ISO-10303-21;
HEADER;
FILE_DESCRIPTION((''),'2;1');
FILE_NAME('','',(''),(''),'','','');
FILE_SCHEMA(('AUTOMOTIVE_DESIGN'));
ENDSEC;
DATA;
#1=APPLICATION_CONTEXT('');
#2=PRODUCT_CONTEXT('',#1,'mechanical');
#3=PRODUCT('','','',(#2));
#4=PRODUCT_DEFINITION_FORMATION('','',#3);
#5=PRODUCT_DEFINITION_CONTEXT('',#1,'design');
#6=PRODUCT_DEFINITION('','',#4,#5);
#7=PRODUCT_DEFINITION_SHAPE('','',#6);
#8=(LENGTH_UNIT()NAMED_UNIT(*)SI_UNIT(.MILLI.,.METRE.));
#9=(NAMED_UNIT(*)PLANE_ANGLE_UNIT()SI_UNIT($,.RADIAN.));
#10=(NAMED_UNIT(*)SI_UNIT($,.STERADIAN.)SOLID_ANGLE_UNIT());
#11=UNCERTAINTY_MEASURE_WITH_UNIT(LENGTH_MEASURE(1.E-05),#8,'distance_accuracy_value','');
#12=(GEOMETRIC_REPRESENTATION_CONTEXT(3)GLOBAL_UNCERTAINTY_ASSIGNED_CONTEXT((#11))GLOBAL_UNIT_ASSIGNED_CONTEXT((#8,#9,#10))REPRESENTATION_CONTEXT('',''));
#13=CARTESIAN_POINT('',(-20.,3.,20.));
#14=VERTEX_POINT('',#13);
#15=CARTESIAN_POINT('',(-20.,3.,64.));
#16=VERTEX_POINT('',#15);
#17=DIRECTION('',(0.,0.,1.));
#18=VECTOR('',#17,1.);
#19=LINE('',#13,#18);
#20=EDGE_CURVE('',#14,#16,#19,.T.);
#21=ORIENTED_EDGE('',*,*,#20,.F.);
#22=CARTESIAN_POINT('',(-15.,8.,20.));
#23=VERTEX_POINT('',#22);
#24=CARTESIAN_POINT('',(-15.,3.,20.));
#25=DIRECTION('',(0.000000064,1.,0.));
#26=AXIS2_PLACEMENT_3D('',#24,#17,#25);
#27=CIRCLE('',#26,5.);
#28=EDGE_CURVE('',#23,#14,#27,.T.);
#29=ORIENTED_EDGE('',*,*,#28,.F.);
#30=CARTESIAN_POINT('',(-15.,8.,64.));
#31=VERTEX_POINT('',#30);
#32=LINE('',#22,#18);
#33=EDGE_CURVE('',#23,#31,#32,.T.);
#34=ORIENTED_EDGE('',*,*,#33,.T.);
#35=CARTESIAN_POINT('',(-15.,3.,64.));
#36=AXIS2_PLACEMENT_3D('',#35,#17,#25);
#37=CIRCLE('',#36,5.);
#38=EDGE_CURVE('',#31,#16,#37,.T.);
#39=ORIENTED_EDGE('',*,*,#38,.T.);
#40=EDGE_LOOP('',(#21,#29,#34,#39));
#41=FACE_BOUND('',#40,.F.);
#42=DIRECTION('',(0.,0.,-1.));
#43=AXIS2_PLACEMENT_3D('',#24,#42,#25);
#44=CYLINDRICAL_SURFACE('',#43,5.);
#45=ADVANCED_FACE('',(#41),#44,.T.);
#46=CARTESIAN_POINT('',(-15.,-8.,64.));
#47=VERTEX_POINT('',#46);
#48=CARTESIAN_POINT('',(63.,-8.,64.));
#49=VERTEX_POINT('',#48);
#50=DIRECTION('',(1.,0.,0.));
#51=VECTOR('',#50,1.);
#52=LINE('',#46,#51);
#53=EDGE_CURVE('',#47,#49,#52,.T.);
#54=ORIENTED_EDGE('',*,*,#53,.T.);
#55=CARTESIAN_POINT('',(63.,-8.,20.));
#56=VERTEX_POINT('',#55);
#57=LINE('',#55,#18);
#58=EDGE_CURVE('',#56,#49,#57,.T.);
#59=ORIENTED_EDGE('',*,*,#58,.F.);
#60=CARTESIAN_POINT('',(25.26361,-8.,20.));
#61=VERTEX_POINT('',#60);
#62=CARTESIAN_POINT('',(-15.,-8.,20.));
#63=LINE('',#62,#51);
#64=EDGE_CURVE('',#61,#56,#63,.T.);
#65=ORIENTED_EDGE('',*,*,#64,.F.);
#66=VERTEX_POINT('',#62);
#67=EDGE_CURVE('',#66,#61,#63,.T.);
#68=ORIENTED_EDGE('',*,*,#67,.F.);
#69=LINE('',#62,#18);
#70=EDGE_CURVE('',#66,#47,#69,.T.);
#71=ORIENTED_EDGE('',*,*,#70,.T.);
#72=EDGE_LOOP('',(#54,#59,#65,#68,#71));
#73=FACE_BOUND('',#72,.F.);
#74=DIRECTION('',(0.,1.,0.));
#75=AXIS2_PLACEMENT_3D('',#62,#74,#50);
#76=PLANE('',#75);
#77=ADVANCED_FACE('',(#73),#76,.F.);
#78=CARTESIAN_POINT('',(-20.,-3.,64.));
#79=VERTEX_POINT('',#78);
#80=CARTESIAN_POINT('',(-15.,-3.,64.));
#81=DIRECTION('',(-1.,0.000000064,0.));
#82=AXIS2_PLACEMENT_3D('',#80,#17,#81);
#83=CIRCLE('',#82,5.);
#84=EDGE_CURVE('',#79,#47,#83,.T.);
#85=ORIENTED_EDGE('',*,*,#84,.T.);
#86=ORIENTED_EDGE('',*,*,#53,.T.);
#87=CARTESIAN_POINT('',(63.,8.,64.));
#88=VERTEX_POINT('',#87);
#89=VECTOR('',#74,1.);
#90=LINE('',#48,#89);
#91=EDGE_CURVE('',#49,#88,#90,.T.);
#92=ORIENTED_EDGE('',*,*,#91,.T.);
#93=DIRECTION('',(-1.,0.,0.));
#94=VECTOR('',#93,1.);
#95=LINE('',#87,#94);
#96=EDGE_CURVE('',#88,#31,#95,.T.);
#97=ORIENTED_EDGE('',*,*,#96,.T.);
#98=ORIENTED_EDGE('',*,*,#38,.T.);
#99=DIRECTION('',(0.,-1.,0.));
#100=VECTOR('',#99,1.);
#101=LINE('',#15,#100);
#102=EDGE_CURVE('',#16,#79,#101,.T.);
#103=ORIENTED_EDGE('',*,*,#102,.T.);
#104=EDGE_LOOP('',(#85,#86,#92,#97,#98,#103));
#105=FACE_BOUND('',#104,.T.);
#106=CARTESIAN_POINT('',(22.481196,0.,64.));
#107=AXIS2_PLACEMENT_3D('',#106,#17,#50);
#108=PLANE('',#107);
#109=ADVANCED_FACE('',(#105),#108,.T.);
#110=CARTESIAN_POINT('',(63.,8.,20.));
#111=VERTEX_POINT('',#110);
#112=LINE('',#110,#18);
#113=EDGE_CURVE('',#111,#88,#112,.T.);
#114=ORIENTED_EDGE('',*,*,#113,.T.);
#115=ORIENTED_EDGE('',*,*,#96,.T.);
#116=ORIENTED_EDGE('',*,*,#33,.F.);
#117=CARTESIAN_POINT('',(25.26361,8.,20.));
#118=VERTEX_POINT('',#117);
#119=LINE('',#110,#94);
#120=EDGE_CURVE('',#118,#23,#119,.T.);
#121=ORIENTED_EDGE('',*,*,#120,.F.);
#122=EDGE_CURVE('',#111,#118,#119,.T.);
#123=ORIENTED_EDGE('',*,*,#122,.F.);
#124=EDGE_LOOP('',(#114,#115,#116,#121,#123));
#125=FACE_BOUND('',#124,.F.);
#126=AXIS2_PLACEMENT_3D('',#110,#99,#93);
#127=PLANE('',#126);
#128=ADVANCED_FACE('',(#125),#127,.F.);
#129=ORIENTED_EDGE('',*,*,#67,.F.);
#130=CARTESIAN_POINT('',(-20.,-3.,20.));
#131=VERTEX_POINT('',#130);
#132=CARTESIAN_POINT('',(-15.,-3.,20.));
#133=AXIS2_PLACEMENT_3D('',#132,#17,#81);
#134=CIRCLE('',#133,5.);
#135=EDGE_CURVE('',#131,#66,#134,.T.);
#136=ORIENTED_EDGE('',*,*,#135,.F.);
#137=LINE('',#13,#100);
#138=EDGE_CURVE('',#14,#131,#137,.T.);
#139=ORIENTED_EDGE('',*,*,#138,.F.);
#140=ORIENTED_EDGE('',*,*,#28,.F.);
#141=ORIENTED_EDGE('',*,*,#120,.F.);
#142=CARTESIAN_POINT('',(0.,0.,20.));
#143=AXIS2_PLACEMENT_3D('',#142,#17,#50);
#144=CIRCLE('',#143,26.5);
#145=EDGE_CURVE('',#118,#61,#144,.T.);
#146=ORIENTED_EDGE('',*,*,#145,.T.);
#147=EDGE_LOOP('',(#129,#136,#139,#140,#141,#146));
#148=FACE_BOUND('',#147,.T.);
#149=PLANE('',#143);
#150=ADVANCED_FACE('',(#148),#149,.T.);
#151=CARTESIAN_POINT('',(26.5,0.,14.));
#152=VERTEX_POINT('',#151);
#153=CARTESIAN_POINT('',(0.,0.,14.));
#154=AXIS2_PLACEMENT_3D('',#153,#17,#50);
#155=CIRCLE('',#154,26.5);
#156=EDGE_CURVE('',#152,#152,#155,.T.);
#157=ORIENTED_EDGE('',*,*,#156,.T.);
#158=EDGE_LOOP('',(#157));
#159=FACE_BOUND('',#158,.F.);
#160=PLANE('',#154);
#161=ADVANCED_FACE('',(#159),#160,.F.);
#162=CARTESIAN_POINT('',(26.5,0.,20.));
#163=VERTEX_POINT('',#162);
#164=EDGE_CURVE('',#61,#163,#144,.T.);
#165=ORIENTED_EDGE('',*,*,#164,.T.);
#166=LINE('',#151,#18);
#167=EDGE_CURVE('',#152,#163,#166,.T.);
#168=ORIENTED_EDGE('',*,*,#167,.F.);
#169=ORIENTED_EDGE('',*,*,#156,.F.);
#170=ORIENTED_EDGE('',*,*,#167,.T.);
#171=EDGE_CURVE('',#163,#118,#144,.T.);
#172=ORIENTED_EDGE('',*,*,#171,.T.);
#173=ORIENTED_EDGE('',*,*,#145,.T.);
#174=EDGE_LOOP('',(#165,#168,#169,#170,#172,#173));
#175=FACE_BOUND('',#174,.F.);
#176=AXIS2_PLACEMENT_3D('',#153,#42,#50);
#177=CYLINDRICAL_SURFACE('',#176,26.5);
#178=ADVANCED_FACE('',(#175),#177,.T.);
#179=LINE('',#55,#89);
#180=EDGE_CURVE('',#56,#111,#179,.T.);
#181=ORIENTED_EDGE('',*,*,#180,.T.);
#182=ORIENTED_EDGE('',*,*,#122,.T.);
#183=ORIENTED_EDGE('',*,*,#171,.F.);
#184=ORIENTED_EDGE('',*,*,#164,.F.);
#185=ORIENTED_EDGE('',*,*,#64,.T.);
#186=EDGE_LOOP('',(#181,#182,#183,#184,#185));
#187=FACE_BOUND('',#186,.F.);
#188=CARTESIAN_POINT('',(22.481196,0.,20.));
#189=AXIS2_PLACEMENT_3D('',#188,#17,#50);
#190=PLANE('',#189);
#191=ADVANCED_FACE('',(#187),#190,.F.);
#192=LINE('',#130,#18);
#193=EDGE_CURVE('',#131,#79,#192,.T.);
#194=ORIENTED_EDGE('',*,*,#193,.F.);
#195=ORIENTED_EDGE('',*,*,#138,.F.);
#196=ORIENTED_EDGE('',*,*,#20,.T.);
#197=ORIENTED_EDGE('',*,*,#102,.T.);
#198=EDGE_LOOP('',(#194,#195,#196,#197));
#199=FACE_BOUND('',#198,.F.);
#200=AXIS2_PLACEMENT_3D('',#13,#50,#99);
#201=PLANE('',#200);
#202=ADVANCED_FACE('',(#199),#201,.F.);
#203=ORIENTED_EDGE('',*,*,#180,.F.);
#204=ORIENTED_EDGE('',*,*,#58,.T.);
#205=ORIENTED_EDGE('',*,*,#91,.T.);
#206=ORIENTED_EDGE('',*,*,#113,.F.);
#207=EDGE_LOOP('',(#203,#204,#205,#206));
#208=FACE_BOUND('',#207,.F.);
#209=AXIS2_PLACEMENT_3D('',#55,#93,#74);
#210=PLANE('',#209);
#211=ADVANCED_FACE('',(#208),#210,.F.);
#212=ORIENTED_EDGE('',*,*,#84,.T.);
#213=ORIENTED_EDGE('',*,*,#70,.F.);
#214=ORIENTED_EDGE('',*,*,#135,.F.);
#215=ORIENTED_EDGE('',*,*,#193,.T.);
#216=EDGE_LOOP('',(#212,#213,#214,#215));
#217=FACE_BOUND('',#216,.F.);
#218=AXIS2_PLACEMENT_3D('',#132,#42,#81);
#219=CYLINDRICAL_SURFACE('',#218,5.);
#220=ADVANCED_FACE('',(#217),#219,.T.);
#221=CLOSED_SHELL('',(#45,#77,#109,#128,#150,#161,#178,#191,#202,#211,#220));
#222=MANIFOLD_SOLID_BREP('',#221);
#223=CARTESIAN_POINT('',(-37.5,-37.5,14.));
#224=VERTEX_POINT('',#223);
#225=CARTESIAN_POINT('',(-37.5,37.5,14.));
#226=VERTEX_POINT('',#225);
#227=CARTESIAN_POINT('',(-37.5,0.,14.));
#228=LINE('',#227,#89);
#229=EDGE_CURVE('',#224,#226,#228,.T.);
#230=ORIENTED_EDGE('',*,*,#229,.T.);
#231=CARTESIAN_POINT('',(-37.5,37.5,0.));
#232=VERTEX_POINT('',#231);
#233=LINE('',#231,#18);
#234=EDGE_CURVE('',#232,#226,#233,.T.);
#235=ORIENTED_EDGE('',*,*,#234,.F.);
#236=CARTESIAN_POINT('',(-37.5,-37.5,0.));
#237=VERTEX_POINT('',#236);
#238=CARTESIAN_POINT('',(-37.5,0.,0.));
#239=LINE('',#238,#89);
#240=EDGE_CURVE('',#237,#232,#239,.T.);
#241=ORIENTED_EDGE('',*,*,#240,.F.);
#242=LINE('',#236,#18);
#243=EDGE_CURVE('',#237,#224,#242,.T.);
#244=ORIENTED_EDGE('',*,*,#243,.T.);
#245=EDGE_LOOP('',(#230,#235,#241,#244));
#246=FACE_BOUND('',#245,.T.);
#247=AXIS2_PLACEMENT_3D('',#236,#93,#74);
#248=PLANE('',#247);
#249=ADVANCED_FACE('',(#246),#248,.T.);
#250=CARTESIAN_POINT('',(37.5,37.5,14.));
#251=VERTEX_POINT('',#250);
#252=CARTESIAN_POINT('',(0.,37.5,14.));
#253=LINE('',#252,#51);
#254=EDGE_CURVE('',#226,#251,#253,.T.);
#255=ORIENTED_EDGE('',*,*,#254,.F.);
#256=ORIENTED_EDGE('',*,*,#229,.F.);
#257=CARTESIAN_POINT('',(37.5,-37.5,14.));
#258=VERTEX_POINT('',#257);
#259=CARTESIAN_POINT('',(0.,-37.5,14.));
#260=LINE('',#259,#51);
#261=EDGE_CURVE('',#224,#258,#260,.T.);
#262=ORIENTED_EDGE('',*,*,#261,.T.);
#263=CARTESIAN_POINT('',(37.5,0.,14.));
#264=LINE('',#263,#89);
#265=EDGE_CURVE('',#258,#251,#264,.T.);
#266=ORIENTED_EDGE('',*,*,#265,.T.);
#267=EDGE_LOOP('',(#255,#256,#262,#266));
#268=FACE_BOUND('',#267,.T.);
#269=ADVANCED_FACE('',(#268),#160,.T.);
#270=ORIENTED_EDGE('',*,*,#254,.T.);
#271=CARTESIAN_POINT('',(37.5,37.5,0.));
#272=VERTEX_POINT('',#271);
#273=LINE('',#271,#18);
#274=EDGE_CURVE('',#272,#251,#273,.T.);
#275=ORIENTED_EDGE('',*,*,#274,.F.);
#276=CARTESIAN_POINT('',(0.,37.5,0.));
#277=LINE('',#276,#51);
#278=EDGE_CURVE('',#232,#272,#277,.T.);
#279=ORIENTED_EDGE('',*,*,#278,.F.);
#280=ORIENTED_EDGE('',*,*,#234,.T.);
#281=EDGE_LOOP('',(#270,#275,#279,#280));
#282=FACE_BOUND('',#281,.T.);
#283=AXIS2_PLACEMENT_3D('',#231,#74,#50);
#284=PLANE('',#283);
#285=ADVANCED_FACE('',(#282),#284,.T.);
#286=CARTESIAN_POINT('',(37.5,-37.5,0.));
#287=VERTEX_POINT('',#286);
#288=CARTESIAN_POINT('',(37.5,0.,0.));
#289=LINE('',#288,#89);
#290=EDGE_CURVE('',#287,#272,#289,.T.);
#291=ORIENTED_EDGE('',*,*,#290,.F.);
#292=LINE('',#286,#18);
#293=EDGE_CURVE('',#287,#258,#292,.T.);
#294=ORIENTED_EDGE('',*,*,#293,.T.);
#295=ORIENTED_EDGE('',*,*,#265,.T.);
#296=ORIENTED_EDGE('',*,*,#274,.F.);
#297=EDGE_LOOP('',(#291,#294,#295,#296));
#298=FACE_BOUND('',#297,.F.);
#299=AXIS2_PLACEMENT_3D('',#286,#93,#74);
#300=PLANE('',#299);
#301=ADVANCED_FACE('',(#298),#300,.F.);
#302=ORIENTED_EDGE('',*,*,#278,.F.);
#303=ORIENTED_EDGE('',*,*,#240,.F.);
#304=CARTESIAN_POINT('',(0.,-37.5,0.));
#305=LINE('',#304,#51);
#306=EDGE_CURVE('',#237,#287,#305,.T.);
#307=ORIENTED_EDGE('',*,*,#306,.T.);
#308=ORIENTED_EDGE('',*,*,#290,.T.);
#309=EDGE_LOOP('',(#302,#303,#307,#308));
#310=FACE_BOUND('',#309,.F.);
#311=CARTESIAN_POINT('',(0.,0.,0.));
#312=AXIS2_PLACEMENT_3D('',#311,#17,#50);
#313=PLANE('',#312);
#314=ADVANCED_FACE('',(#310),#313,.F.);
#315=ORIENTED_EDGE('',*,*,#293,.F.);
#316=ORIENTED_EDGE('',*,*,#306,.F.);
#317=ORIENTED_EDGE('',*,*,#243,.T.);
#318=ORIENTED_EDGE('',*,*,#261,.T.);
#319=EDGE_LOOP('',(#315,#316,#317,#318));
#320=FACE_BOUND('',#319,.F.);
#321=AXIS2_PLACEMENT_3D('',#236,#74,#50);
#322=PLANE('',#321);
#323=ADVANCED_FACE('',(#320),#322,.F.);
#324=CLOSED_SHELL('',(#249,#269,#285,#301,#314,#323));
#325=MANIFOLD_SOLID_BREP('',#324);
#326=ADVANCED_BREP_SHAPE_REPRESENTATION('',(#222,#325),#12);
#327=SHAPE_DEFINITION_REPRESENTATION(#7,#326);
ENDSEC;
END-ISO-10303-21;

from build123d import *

# Parameters (mm, degrees)
F0_W     = 75
F0_H     = 75
F1_DEPTH = 14
F2_R     = 26.5
F3_DEPTH = 6
F5_DEPTH = 44


with BuildPart() as f1:
    # F0 (on Top) → F1 (new body)
    with BuildSketch(Plane.XY):
        Rectangle(F0_W, F0_H)
    extrude(amount=F1_DEPTH)


with BuildPart() as f3:
    # F2 (on face) → F3 (new body)
    with BuildSketch(Plane.XY.offset(14)):
        Circle(F2_R)
    extrude(amount=F3_DEPTH)

    # F4 (on face) → F5 (join)
    with BuildSketch(Plane.XY.offset(20)):
        with BuildLine():
            Line((63, 8), (-15, 8))
            ThreePointArc((-15, 8), (-18.535534, 6.535534), (-20, 3))
            Line((-20, 3), (-20, -3))
            ThreePointArc((-20, -3), (-18.535534, -6.535534), (-15, -8))
            Line((-15, -8), (63, -8))
            Line((63, -8), (63, 8))
        make_face()
    extrude(amount=F5_DEPTH)


solid = Compound([f1.part, f3.part])
